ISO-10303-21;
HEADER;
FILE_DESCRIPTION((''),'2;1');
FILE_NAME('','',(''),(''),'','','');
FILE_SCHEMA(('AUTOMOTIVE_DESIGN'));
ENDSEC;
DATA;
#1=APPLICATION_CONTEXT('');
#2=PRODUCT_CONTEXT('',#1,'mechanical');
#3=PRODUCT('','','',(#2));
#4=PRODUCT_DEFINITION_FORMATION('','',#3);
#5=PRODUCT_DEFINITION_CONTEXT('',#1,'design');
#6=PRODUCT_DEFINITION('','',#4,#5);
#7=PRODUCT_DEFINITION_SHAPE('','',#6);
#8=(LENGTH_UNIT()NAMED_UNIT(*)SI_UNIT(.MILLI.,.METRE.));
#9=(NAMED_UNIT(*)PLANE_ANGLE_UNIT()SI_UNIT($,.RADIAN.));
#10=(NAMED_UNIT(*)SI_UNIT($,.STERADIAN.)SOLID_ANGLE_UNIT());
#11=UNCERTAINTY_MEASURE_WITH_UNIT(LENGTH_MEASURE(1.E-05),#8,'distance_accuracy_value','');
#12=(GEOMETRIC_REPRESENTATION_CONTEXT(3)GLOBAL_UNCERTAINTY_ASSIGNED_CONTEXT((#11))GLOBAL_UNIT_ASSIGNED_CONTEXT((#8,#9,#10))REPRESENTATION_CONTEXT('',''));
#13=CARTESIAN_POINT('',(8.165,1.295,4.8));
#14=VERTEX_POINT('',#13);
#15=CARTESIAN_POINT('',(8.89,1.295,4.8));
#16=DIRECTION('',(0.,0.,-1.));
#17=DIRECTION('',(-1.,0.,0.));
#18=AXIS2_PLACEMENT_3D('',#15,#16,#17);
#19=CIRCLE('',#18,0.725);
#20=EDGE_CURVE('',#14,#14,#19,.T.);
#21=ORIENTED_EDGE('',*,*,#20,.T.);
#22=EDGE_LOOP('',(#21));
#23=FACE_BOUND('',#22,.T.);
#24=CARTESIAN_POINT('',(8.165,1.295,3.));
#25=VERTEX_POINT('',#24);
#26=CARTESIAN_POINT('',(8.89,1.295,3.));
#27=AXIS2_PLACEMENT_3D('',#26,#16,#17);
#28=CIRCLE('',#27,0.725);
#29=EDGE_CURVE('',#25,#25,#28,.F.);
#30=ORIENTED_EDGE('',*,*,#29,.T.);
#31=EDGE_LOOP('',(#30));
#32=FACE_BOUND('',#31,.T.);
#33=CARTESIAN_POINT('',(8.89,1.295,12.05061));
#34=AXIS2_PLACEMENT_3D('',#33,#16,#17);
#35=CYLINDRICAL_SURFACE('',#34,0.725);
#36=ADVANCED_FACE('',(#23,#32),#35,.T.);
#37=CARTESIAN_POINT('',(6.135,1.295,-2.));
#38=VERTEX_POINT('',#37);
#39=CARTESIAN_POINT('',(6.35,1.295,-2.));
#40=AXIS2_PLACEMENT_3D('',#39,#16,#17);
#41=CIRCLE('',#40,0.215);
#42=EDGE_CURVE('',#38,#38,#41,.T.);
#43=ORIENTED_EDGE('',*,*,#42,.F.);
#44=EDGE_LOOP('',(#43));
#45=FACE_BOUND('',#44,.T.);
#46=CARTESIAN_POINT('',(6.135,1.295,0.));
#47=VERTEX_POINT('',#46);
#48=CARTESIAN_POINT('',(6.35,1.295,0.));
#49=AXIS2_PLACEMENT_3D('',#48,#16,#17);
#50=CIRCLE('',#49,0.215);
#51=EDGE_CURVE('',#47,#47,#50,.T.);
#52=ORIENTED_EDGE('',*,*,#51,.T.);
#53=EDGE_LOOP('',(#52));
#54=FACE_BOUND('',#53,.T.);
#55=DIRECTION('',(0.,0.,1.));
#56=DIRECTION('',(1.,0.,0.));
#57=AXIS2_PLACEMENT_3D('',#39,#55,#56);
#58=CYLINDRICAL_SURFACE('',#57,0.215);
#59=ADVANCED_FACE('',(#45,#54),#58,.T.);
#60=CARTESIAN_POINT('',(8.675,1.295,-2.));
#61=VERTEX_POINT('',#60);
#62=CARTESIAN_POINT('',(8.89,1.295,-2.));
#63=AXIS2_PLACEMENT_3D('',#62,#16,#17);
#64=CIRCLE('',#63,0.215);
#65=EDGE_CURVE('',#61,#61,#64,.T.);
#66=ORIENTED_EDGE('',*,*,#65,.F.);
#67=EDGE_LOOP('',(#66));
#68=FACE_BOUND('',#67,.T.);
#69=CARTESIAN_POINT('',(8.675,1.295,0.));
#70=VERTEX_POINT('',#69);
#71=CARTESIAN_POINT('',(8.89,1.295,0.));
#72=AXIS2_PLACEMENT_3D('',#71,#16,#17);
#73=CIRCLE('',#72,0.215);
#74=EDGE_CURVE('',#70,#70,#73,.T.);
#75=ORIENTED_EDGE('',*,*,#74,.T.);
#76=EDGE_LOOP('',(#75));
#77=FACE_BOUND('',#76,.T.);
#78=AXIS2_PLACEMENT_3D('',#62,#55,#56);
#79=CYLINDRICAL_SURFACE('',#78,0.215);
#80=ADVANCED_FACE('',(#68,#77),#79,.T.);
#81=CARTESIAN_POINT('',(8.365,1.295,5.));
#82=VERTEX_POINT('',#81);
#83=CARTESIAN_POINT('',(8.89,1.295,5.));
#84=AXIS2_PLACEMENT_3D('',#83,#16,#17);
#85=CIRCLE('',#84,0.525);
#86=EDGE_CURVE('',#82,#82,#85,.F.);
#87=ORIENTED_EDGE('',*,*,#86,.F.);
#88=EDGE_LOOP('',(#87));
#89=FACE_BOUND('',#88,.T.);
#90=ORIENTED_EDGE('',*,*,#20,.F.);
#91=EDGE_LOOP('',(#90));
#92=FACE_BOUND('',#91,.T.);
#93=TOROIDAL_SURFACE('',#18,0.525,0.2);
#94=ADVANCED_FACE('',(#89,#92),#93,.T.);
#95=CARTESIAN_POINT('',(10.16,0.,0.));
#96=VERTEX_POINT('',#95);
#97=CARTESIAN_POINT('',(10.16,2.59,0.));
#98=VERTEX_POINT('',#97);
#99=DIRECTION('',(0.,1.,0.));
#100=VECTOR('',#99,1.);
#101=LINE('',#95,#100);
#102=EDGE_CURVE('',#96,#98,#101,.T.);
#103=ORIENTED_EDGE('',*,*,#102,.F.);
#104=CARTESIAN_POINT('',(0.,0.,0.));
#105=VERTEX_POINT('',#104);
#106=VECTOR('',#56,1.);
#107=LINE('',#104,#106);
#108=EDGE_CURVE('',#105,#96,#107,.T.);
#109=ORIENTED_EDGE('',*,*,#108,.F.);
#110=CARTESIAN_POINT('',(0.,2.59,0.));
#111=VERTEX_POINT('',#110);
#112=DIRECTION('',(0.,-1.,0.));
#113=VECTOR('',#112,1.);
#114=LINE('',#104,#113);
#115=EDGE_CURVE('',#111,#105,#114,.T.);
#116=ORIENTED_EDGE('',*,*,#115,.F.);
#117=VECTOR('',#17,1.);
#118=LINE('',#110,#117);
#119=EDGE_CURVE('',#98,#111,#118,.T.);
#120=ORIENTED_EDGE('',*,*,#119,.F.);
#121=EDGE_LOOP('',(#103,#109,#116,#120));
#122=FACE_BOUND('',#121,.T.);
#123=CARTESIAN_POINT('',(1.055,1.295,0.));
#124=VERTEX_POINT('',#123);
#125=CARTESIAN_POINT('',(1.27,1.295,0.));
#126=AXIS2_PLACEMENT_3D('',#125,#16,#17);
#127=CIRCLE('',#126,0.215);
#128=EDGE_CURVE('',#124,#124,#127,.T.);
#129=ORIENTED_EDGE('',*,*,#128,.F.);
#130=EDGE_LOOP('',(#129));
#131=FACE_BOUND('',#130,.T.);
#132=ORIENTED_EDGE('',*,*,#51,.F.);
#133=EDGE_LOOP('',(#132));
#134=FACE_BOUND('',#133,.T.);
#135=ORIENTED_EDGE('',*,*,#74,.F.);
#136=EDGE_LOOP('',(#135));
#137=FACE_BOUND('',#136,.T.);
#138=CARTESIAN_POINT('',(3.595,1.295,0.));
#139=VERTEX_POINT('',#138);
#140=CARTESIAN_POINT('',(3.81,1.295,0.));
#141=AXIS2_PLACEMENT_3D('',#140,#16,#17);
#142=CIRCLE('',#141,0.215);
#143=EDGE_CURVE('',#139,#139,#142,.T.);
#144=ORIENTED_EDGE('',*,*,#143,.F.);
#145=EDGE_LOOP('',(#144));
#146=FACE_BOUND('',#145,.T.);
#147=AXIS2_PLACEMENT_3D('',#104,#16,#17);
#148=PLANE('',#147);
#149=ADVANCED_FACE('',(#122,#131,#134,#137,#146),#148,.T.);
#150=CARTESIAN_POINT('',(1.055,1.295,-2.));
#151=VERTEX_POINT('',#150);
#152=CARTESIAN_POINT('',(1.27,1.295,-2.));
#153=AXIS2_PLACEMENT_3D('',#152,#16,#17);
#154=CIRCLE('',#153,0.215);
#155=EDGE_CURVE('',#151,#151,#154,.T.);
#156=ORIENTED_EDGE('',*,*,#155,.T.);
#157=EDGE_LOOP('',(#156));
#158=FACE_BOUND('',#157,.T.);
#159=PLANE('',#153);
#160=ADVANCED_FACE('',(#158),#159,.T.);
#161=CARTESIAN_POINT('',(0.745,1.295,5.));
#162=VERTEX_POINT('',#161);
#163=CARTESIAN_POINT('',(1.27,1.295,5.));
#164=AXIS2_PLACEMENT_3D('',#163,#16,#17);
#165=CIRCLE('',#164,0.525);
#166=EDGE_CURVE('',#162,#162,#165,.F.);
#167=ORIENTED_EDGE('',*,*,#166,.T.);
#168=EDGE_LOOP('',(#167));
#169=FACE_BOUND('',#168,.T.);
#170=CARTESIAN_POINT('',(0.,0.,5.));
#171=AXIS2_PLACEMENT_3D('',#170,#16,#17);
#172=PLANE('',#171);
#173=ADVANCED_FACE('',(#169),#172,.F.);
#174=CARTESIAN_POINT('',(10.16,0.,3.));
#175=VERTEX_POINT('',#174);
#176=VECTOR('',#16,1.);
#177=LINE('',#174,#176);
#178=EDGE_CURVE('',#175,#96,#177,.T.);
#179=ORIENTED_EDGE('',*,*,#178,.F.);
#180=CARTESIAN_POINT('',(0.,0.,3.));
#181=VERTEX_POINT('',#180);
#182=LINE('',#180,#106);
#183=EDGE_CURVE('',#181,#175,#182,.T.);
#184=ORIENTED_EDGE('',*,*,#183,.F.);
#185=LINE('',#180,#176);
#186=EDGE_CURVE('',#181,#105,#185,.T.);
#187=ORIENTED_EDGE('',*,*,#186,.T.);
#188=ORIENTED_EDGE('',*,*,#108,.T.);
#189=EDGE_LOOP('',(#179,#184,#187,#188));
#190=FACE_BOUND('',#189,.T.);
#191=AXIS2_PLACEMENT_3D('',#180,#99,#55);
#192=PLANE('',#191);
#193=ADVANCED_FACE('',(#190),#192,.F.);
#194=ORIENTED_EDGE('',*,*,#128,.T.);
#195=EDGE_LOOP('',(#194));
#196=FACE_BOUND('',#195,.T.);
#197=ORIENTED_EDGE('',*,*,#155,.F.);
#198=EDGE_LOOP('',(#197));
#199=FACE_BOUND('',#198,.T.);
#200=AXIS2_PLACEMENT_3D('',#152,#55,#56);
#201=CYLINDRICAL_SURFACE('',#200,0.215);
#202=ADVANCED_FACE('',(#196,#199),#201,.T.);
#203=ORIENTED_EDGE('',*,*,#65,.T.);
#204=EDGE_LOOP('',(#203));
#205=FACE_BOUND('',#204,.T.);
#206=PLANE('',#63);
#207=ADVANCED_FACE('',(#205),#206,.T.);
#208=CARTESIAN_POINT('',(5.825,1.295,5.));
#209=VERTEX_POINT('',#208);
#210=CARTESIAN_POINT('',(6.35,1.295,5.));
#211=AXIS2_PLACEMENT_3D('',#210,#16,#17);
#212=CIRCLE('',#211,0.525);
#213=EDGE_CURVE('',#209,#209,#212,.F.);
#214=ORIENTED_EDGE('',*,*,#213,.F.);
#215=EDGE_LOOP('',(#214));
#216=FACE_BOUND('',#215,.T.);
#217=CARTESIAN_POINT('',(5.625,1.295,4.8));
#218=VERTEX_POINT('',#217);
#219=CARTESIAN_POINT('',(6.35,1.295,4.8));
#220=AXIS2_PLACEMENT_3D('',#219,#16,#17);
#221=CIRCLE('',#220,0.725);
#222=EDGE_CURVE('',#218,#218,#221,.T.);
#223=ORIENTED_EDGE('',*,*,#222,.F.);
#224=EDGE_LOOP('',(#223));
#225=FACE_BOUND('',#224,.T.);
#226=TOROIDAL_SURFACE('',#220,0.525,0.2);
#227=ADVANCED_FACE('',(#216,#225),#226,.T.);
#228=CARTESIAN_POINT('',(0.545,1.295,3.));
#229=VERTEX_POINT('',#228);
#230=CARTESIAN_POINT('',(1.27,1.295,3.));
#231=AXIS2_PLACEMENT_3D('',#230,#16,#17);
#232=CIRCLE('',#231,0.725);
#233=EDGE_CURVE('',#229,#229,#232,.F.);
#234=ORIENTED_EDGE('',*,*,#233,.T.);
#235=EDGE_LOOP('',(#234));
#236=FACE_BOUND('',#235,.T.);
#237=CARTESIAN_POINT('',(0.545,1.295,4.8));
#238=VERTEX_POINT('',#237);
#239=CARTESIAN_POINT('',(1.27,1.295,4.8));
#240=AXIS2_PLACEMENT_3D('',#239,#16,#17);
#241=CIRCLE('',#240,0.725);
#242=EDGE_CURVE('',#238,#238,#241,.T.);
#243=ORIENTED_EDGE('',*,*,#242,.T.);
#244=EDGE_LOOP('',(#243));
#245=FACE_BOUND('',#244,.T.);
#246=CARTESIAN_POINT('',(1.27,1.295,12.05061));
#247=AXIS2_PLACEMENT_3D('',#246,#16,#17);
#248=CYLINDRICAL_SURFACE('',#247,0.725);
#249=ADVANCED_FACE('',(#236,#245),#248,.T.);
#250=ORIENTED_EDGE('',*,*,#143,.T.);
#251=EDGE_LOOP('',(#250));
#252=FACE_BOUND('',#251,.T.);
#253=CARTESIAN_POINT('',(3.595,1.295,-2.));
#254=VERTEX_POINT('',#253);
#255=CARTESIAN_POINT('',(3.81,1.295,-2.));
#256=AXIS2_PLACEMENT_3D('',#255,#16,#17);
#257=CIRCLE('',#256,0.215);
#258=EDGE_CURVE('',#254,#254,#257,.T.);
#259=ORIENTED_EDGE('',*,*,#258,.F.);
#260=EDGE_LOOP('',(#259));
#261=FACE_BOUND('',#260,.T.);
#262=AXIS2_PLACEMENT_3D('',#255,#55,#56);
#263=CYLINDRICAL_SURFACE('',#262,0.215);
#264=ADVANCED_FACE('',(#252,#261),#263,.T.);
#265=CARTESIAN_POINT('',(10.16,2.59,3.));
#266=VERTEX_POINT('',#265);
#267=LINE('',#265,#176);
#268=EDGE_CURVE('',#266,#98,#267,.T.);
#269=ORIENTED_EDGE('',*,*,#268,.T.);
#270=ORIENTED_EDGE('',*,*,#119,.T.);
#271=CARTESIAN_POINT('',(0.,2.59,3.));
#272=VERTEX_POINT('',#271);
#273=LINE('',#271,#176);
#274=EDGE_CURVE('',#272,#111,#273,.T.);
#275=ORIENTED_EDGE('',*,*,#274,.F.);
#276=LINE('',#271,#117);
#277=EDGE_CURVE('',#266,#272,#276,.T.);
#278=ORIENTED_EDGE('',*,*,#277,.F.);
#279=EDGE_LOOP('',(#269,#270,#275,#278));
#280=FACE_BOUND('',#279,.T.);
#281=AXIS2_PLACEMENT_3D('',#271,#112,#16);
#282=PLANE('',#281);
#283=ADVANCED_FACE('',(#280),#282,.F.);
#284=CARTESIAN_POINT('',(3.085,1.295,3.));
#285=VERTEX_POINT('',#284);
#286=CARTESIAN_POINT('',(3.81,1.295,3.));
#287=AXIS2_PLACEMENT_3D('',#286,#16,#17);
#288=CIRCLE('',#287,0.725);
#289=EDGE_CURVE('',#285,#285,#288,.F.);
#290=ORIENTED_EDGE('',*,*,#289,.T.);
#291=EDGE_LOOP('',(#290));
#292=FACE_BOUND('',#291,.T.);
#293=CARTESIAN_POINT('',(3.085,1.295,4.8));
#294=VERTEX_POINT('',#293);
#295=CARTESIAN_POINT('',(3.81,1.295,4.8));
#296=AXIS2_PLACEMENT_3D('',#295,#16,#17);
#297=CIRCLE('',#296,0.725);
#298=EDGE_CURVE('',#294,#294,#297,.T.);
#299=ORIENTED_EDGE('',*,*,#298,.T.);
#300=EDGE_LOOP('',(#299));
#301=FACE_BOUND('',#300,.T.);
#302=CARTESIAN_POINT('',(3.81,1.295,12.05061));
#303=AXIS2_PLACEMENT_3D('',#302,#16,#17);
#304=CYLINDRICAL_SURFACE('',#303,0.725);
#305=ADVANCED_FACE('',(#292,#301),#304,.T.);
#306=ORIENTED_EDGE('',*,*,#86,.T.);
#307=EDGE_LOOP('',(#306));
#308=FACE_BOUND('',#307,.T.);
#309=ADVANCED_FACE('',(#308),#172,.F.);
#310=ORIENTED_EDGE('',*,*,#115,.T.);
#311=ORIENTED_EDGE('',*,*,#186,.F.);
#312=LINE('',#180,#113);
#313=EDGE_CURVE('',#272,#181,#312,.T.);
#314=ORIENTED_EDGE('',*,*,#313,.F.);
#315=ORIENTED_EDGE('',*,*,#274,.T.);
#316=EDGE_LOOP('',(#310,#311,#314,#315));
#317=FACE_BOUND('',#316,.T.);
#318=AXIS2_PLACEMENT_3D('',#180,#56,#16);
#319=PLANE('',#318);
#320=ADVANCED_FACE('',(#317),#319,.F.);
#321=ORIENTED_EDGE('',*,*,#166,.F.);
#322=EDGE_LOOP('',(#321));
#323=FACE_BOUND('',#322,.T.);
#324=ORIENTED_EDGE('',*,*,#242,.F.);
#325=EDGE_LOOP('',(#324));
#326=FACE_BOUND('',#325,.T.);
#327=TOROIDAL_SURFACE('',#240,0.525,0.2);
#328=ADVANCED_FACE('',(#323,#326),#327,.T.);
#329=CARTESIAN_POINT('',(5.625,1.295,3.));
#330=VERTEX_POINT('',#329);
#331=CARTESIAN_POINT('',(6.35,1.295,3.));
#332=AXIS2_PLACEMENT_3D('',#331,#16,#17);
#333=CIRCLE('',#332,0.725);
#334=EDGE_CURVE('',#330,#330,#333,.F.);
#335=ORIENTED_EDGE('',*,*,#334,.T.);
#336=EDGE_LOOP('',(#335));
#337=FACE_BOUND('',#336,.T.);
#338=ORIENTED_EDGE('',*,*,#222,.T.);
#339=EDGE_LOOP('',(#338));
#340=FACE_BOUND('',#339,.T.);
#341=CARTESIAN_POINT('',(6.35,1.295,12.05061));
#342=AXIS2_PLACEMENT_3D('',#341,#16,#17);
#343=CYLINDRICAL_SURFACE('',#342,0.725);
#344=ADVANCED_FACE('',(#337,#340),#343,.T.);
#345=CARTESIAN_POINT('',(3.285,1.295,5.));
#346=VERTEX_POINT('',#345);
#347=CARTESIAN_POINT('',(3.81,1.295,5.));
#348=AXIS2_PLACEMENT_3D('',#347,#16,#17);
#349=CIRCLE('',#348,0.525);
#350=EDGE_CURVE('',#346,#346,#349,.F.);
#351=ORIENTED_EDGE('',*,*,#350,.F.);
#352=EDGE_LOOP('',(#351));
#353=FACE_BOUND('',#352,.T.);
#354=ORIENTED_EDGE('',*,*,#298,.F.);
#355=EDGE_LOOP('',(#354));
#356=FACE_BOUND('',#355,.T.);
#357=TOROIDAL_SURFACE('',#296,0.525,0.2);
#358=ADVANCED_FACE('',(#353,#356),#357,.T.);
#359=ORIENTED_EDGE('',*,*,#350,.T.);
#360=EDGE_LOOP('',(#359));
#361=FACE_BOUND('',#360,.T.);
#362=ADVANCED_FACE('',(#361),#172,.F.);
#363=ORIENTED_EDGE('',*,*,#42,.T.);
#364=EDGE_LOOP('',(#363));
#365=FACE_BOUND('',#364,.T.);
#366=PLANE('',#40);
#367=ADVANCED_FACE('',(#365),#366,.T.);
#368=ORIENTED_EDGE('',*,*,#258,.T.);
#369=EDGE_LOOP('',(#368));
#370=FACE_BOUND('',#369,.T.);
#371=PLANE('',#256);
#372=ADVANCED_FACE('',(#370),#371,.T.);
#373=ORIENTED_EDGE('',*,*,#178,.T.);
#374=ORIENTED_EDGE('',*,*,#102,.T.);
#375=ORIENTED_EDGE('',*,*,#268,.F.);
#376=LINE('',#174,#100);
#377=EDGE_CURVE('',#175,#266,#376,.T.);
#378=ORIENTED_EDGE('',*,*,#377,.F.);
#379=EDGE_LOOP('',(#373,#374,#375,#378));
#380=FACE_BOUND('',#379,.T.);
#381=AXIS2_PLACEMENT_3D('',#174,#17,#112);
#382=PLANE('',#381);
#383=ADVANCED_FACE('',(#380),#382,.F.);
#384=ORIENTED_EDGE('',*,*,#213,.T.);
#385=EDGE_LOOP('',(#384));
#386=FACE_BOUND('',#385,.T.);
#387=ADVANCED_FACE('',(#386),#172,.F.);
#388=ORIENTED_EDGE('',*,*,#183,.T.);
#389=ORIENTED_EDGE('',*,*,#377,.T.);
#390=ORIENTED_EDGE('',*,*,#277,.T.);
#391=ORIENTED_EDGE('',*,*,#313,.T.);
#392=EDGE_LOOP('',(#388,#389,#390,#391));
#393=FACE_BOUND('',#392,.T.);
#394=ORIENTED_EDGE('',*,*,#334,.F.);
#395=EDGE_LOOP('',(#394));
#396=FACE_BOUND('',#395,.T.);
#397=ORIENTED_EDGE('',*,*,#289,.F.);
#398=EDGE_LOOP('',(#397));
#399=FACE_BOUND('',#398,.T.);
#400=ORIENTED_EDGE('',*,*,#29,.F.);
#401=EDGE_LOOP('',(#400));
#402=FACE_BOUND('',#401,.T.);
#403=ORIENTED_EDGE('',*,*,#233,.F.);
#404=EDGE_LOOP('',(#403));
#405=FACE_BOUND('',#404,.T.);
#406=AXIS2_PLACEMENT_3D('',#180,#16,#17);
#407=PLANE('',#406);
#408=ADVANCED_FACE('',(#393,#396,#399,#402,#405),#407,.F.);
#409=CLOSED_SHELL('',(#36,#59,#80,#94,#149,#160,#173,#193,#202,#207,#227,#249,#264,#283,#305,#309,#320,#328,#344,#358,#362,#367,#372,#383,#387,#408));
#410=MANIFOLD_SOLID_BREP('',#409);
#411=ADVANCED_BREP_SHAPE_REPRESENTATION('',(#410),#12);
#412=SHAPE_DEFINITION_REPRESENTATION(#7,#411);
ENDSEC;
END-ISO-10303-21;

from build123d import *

# Parameters (mm, degrees)
SKETCH_1_W      = 10.16
SKETCH_1_H      = 2.59
EXTRUDE_1_DEPTH = 3
SKETCH_2_R      = 0.725
EXTRUDE_2_DEPTH = 2
SKETCH_3_R      = 0.215
EXTRUDE_3_DEPTH = 2
FILLET_1_R      = 0.2


with BuildPart() as part:
    # Эскиз1 → Бобышка-Вытянуть1 (new body)
    with BuildSketch(Plane.XY):
        with Locations((5.08, 1.295)):
            Rectangle(SKETCH_1_W, SKETCH_1_H)
    extrude(amount=EXTRUDE_1_DEPTH)

    # Эскиз2 → Бобышка-Вытянуть2 (add)
    with BuildSketch(Plane.XY.offset(3)):
        with Locations(Location((1.27, 1.295, 0), (0, 0, 180))):
            Circle(SKETCH_2_R)
        with Locations(Location((3.81, 1.295, 0), (0, 0, 180))):
            Circle(SKETCH_2_R)
        with Locations(Location((6.35, 1.295, 0), (0, 0, 180))):
            Circle(SKETCH_2_R)
        with Locations(Location((8.89, 1.295, 0), (0, 0, 180))):
            Circle(SKETCH_2_R)
    extrude(amount=EXTRUDE_2_DEPTH)

    # Эскиз3 → Бобышка-Вытянуть3 (add)
    with BuildSketch(Plane(origin=(0, 0, 0), x_dir=(-1, 0, 0), z_dir=(0, 0, -1))):
        with Locations((-1.27, 1.295)):
            Circle(SKETCH_3_R)
        with Locations((-3.81, 1.295)):
            Circle(SKETCH_3_R)
        with Locations((-6.35, 1.295)):
            Circle(SKETCH_3_R)
        with Locations((-8.89, 1.295)):
            Circle(SKETCH_3_R)
    extrude(amount=EXTRUDE_3_DEPTH)

    # Скругление1
    fillet_1_edges = [part.edges().sort_by_distance(p)[0] for p in [
        (1.995, 1.295, 5),
        (4.535, 1.295, 5),
        (7.075, 1.295, 5),
        (9.615, 1.295, 5),
    ]]
    fillet(fillet_1_edges, radius=FILLET_1_R)


solid = part.part
